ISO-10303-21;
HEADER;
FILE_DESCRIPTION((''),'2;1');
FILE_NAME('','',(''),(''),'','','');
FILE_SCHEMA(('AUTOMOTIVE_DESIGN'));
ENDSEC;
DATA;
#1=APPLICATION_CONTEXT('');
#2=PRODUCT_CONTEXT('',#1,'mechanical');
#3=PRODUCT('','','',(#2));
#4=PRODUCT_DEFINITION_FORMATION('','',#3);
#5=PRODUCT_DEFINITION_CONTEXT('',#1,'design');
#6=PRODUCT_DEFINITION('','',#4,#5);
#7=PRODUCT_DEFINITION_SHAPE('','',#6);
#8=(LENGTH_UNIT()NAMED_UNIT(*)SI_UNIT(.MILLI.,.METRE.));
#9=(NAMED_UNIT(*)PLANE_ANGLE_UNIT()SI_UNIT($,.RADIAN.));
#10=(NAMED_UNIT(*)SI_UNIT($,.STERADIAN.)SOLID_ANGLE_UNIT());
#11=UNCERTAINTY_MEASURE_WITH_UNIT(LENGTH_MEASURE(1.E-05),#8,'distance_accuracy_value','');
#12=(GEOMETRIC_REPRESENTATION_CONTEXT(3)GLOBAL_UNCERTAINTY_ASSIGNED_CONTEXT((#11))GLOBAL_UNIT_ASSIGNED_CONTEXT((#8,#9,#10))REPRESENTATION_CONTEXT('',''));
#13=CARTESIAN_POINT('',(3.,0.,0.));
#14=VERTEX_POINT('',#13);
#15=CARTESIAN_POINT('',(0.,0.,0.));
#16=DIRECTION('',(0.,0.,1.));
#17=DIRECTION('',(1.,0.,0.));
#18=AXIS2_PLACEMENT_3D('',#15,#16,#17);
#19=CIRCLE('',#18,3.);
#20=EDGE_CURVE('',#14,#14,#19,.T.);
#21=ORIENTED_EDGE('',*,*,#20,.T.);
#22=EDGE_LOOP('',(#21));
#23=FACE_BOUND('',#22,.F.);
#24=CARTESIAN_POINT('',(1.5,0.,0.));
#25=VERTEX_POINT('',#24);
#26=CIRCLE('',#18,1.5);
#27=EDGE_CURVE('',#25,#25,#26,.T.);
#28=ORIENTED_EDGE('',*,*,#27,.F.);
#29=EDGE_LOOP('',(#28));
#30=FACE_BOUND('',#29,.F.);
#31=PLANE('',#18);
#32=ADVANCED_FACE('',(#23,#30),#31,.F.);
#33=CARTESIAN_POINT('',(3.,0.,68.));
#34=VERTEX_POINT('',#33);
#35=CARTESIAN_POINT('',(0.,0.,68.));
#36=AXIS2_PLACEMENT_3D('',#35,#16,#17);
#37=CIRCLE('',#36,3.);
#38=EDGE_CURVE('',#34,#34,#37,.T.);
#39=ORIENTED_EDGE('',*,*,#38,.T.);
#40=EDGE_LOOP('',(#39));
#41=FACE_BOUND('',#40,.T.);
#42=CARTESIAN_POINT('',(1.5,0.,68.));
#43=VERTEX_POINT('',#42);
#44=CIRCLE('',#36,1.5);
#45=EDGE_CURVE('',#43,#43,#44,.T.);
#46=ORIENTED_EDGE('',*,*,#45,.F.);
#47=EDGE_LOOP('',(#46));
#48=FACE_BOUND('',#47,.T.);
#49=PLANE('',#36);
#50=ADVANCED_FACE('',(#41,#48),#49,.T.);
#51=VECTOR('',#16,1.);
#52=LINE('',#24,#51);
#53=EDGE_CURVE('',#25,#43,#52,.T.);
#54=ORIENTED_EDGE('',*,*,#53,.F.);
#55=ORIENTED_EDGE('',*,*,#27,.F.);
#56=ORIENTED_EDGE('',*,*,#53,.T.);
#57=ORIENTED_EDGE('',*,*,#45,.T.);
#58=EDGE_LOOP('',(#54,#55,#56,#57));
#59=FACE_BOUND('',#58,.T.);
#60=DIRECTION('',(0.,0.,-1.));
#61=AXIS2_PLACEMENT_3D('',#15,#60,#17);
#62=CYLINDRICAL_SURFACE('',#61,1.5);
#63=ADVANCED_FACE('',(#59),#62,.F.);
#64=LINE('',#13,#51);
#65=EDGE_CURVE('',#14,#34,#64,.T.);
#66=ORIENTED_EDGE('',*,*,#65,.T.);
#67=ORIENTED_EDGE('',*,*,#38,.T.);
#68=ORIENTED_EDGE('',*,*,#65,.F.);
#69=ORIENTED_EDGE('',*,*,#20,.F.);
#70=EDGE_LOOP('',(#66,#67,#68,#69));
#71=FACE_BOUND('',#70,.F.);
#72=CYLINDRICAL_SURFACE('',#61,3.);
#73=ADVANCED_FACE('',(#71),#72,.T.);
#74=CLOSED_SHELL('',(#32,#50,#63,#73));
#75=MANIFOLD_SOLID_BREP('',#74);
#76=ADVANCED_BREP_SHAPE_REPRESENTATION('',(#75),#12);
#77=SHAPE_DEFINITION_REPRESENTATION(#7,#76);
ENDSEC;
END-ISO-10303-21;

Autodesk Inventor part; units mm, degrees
ref_plane "YZ Plane" through (0, 0, 0) normal (1, 0, 0) x (0, 1, 0)
ref_plane "XZ Plane" through (0, 0, 0) normal (0, 1, 0) x (-1, 0, 0)
ref_plane "XY Plane" through (0, 0, 0) normal (0, 0, 1) x (1, 0, 0)
sketch "スケッチ1" plane through (0, 0, 0) normal (0, 0, 1) x (1, 0, 0)
  circle A0 centre (0, 0) radius 3
  circle A1 centre (0, 0) radius 1.5
  dimension "d0" = 6
  dimension "d1" = 3
extrude "押し出し1" add sketch "スケッチ1" along normal blind 68
properties part number "スペーサーm3-67　簡易筒型"
